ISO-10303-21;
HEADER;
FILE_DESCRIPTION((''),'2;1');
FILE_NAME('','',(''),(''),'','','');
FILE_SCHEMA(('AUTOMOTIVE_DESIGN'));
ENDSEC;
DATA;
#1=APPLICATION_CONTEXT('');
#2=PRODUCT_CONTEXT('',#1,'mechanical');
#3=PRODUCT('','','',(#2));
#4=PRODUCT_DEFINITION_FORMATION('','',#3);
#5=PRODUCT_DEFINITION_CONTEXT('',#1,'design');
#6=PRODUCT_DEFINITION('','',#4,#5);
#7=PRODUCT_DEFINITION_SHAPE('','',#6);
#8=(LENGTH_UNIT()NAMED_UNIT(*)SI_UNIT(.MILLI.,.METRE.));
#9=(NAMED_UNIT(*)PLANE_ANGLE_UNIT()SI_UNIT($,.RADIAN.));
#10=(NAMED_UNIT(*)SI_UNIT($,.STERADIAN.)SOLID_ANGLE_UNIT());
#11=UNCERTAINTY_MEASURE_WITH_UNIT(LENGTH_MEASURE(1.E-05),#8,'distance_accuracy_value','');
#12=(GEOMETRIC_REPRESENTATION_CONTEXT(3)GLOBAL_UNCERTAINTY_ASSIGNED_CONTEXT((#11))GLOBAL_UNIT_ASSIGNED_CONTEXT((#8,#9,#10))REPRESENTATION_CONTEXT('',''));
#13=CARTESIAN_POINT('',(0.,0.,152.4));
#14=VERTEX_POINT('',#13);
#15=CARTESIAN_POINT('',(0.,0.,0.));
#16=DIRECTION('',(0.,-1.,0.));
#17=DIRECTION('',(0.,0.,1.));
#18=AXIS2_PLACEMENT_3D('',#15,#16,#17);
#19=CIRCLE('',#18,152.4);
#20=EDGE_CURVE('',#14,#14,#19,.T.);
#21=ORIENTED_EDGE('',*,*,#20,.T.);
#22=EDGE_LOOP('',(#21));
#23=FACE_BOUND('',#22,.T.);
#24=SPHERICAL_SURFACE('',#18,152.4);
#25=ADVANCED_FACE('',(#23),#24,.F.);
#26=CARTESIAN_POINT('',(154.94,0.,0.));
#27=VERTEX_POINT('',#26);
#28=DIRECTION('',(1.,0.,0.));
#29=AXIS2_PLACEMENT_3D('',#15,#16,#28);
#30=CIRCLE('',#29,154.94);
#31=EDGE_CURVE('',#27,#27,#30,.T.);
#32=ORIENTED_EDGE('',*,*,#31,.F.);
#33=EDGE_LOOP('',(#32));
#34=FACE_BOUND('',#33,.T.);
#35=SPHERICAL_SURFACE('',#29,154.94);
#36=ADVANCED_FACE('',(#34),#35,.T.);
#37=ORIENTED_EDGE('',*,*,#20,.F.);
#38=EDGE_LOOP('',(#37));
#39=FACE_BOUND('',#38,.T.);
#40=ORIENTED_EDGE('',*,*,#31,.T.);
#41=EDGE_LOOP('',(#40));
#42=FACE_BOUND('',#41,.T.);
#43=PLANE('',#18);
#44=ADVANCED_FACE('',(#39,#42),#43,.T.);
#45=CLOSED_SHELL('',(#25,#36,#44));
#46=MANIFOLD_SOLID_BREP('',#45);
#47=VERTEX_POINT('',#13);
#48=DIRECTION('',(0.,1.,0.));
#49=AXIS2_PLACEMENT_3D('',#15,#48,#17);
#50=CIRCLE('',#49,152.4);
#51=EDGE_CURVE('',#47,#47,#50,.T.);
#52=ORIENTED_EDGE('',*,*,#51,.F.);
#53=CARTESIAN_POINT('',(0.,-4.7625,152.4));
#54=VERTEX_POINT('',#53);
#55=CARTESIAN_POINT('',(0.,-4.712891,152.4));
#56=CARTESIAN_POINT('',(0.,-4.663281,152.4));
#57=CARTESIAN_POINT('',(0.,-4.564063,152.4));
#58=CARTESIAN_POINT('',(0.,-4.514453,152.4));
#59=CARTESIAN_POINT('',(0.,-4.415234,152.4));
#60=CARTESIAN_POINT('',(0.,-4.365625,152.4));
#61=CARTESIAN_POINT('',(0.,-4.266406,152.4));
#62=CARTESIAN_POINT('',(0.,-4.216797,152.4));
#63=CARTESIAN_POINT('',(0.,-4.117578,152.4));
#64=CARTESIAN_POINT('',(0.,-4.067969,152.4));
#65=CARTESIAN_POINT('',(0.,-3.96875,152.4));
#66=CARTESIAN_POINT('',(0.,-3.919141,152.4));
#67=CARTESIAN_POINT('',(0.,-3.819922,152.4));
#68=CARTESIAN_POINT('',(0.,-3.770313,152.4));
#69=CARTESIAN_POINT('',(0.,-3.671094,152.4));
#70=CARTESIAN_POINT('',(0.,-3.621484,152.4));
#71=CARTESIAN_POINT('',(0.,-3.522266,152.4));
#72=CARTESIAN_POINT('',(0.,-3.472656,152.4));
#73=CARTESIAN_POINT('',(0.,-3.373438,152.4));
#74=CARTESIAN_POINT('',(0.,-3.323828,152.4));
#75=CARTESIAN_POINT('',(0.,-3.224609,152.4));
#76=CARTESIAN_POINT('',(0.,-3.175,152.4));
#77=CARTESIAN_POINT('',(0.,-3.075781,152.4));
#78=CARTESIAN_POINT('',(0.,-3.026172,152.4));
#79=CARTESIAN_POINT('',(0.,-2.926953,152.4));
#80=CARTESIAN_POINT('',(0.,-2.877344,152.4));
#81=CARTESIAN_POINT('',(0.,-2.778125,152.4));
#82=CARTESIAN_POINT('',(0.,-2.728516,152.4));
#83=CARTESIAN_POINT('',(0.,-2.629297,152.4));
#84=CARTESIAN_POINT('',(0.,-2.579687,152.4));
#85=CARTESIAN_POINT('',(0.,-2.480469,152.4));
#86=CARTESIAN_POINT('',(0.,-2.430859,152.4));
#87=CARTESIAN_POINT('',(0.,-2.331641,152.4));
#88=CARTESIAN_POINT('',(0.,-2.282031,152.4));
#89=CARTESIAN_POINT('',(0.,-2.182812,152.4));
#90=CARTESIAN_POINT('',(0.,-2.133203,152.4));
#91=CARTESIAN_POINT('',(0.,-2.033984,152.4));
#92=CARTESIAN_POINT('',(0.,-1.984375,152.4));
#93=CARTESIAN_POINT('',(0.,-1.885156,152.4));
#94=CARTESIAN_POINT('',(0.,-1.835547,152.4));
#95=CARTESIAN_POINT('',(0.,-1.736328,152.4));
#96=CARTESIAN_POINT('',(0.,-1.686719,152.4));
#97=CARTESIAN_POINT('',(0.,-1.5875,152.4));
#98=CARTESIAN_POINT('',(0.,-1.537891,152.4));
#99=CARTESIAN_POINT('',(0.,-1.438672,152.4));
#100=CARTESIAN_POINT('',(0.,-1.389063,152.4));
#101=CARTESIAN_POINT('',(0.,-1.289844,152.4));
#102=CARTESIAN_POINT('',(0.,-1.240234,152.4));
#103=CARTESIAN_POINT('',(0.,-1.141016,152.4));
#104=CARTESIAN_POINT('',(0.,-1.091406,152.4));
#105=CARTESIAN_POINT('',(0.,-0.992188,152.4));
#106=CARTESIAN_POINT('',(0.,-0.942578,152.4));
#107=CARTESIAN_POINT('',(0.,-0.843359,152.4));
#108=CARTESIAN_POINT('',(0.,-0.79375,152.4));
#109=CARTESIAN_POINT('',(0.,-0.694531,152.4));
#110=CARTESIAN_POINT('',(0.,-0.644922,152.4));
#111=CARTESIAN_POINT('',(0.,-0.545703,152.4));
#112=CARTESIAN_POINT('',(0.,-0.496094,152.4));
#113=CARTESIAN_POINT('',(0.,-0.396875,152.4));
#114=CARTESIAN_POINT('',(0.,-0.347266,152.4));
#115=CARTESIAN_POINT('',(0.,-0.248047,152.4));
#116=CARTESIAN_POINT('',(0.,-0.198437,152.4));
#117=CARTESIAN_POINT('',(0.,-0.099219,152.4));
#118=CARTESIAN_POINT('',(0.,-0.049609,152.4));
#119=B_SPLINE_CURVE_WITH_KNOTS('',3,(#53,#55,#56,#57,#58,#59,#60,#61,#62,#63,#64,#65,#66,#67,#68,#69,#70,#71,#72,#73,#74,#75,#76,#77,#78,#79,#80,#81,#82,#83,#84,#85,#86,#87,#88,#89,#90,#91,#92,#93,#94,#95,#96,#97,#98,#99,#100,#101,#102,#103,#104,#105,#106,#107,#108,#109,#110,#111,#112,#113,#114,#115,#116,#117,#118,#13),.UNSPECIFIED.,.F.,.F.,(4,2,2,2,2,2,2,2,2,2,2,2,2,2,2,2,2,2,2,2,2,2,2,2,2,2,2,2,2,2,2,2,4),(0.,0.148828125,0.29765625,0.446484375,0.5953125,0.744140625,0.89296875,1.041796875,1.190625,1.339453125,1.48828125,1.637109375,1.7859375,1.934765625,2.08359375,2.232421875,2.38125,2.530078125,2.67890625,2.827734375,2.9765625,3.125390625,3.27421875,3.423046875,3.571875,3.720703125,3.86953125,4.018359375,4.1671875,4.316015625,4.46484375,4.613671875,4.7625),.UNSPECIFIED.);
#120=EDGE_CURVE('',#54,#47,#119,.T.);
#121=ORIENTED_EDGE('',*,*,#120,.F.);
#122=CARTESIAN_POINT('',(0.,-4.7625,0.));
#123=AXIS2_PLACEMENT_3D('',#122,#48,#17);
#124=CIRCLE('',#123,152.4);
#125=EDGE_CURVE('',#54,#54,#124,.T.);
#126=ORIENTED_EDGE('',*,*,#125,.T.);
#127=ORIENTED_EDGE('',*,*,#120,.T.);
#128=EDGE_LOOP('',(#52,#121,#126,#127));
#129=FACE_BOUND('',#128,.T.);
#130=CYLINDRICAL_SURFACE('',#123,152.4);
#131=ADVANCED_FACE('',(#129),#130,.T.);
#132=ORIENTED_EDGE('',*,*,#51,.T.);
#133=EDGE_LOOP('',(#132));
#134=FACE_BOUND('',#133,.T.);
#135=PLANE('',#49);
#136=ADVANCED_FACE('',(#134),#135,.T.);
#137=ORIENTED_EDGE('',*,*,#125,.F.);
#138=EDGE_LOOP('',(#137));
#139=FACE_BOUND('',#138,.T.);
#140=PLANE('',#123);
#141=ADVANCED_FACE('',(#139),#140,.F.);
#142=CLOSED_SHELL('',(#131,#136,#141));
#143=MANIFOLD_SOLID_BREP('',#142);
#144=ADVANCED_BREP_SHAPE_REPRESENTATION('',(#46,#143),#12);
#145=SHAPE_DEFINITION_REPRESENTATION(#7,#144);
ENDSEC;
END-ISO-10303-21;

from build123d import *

# Parameters (mm, degrees)
REVOLVE1_ANGLE      = 180
SHELL1_T            = 2.54
SKETCH2_R           = 152.4
BOSS_EXTRUDE1_DEPTH = 4.7625


with BuildPart() as part:
    # Sketch1 → Revolve1 (revolve)
    with BuildSketch(Plane(origin=(0, 0, 0), x_dir=(1, 0, 0), z_dir=(0, 1, 0))):
        with BuildLine():
            Line((0, 152.4), (0, -152.4))
            ThreePointArc((0, -152.4), (152.4, 0), (0, 152.4))
        make_face()
    revolve(axis=Axis((0, 0, -152.4), (0, 0, 1)), revolution_arc=REVOLVE1_ANGLE)

    # Shell1
    shell1_openings = [part.faces().sort_by_distance(p)[0] for p in [
        (0, 0, 0),
    ]]
    offset(amount=SHELL1_T, openings=shell1_openings)


with BuildPart() as body_2:
    # Sketch2 → Boss-Extrude1 (new body)
    with BuildSketch(Plane(origin=(0, 0, 0), x_dir=(1, 0, 0), z_dir=(0, 1, 0))):
        with Locations(Location((0, 0, 0), (0, 0, 270))):
            Circle(SKETCH2_R)
    extrude(amount=-BOSS_EXTRUDE1_DEPTH)


solid = Compound([part.part, body_2.part])
